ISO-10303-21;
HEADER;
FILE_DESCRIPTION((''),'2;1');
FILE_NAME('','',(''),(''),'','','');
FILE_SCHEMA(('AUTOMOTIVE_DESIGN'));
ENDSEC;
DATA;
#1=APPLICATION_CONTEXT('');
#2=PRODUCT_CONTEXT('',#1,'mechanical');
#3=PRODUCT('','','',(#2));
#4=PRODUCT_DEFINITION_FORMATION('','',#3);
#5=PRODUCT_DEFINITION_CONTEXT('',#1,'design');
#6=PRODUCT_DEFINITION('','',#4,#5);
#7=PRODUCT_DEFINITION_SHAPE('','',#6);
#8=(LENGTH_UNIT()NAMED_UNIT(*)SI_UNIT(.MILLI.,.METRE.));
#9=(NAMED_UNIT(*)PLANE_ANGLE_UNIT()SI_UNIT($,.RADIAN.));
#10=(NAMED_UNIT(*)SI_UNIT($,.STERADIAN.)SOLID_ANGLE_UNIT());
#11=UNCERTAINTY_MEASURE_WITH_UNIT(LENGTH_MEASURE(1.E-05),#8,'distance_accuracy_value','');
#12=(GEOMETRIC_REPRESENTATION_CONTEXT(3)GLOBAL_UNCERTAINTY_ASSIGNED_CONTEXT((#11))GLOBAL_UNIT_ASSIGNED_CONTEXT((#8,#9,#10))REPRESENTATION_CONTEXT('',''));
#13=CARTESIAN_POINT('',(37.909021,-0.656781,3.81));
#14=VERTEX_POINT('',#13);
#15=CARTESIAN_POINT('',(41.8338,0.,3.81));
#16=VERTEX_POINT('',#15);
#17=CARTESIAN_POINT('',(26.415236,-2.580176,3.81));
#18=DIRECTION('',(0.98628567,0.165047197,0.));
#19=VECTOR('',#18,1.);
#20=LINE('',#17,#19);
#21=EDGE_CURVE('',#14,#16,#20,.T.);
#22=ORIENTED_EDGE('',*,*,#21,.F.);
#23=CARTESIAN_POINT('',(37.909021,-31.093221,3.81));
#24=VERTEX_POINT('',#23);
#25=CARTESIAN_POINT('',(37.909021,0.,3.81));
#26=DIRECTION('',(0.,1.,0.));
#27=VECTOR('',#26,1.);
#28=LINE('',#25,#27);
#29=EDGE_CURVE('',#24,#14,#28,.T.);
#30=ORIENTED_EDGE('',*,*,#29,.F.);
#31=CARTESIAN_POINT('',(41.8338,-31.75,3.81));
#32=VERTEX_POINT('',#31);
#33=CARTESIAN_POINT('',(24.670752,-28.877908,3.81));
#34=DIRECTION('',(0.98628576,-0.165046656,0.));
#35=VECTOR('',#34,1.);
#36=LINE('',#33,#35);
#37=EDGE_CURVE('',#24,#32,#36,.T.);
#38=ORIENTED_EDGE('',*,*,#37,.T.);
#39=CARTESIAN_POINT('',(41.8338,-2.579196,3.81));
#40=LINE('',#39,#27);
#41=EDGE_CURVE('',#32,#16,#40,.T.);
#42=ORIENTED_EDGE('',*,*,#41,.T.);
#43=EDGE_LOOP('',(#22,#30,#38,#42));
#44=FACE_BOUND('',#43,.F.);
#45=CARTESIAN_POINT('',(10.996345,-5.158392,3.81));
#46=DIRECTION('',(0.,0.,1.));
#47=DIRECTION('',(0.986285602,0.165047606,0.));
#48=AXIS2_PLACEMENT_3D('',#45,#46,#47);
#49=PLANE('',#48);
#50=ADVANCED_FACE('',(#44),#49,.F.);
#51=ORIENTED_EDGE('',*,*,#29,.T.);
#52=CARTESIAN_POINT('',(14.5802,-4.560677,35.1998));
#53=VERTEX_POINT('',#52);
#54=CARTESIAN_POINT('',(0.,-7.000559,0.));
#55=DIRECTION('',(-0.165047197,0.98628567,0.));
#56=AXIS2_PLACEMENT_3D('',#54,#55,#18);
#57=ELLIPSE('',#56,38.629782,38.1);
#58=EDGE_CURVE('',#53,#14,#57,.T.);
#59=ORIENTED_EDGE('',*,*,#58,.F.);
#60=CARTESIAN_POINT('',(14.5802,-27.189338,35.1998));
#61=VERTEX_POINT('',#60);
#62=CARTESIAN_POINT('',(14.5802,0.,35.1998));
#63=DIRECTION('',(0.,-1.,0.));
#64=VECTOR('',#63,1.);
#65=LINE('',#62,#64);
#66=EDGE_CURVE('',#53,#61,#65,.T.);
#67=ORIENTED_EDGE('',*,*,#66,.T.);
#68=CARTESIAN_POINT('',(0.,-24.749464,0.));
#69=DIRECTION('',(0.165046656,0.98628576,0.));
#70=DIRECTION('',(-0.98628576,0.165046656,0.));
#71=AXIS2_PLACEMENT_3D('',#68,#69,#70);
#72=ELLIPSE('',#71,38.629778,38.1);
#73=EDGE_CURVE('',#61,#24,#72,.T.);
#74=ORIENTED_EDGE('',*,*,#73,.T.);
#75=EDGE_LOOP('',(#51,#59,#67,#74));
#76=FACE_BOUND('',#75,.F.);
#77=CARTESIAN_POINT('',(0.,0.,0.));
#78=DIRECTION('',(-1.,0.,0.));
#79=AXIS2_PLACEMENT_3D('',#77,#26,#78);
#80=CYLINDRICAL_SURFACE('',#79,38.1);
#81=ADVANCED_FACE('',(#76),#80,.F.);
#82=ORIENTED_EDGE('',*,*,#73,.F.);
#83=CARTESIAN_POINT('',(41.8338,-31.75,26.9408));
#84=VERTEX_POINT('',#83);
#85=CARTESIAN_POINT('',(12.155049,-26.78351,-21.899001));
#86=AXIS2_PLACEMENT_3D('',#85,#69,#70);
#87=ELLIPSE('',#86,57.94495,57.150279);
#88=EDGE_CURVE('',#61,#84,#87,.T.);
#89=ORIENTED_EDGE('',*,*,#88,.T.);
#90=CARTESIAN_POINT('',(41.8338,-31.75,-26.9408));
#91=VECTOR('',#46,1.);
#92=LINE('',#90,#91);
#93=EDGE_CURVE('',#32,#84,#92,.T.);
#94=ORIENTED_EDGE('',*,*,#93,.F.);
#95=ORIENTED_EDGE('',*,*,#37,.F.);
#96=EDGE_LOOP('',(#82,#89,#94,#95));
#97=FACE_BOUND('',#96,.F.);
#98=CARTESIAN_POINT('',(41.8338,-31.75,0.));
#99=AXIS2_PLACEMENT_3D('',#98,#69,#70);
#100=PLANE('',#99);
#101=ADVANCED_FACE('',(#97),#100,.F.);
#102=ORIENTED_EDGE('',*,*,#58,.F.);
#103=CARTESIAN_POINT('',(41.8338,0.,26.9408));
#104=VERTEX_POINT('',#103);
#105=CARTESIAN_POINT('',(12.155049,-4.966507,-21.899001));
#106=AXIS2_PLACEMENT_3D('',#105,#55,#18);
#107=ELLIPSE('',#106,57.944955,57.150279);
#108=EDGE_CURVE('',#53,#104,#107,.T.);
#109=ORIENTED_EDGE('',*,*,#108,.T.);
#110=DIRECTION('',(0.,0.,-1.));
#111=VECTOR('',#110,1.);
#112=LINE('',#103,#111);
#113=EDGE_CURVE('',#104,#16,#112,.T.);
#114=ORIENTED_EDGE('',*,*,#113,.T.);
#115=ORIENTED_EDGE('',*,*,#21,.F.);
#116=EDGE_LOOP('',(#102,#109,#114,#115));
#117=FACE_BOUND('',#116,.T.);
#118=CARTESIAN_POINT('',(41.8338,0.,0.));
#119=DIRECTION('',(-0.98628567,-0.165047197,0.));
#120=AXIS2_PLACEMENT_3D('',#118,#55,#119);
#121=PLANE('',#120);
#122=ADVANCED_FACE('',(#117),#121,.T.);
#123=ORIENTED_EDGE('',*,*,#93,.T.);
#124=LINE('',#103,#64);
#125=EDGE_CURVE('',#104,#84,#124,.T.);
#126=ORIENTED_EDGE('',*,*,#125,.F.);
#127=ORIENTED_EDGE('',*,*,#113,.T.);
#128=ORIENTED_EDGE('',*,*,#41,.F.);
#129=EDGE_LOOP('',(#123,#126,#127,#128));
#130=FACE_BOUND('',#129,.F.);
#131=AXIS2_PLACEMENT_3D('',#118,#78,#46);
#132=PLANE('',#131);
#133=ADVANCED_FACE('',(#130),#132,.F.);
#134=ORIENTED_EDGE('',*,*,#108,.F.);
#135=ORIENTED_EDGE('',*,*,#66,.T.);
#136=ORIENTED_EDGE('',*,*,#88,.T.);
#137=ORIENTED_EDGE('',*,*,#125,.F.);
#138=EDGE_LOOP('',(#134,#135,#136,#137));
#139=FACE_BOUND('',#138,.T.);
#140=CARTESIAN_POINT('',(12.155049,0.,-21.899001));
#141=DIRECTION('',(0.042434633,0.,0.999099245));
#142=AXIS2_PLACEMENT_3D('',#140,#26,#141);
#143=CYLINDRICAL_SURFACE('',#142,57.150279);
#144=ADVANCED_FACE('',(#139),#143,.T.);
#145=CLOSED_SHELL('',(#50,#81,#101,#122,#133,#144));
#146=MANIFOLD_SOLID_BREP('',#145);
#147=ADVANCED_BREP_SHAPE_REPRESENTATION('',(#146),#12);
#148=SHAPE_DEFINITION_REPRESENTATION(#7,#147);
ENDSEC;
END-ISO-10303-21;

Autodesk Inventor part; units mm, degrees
ref_plane "YZ Plane" through (0, 0, 0) normal (1, 0, 0) x (0, 1, 0)
ref_plane "XZ Plane" through (0, 0, 0) normal (0, 1, 0) x (-1, 0, 0)
ref_plane "XY Plane" through (0, 0, 0) normal (0, 0, 1) x (1, 0, 0)
sketch "Sketch1" plane through (0, 0, 0) normal (0, 1, 0) x (-1, 0, 0)
  circle A0 centre (0, 0) radius 38.1
  line L0 (-38.1, 0) -> (-41.8338, 0)
  line L1 (-41.8338, 0) -> (-41.8338, 38.1)
  line L2 (-41.8338, 0) -> (-41.8338, -38.1)
  line L3 (-41.8338, -38.1) -> (0, -38.1)
  line L4 (0, 38.1) -> (-41.8338, 38.1)
  arc A1 (0, 38.1) -> (-38.1, 0) centre (0, 0) ccw
  arc A2 (0, 38.1) -> (-26.9408, 26.9408) centre (0, 0) ccw
  arc A3 (-38.1, 0) -> (0, -38.1) centre (0, 0) ccw
  arc A4 (-26.9408, -26.9408) -> (0, -38.1) centre (0, 0) ccw
  arc A5 (-14.5802, 35.1998) -> (-41.8338, 26.9408) centre (-12.1551, -21.8987) ccw
  arc A6 (-41.8338, -26.9408) -> (-14.5802, -35.1998) centre (-12.1551, 21.8987) ccw
  point P0 (-14.5802, -35.1998)
  dimension "d0" = 76.2
  dimension "d1" = 3.7338
  dimension "d2" = 57.15
  dimension "d3" = 57.15
extrude "Extrusion1" add sketch "Sketch1" against normal blind 31.75 contours A0 L0 L1 A5 | A6 L2 L0 A0
sketch "Sketch2" plane through (0, 0, 0) normal (0, 0, 1) x (1, 0, 0)
  line L0 (41.8338, -31.75) -> (-0.6683, -31.75)
  line L1 (41.8338, 0) -> (-9.3567, 0)
  line L2 (41.8338, 0) -> (-14.1234, -9.364)
  line L3 (41.8338, -31.75) -> (-10.3427, -23.0187)
  line L4 (7.8357, -38.2769) -> (6.8485, 14.5363)
  point P0 (0, 0)
  point P1 (7.1202, 0)
  point P2 (7.2285, -5.7909)
  point P3 (7.6066, -26.0223)
  point P4 (7.7137, -31.75)
  dimension "d6" = 9.5
  dimension "d7" = 9.5
extrude "Extrusion2" cut sketch "Sketch2" against normal mid plane 254
sketch "Sketch3" plane through (41.8338, 0, 26.9408) normal (-0.165, 0.9863, 0) x (0.9863, 0.165, 0)
  line L0 (-41.2601, 26.9408) -> (21.7895, 26.9408)
  line L1 (-41.2601, 30.7508) -> (21.7895, 30.7508)
  line L2 (-41.2601, 23.1308) -> (21.7895, 23.1308)
  line L3 (-30.0472, 14.0735) -> (-34.0912, 44.1278)
  line L4 (7.7274, 20.7829) -> (8.5546, 35.8559)
  line L5 (8.5546, 35.8559) -> (-7.3209, 76.3259)
  line L6 (-7.3209, 76.3259) -> (-43.5366, 68.5033)
  line L7 (-43.5366, 68.5033) -> (-33.4602, 39.4386)
  point P0 (7.8563, 23.1308)
  point P1 (-31.2659, 23.1308)
  dimension "d10" = 3.81
  dimension "d11" = 3.81
extrude "Extrusion3" cut sketch "Sketch3" against normal blind 254
sketch "Sketch4" plane through (0, 0, 0) normal (0, 1, 0) x (-1, 0, 0)
  line L0 (-41.8338, 3.81) -> (-37.909, 3.81) projected
  arc A0 (-14.5802, 35.1998) -> (-37.909, 3.81) centre (0, 0) ccw projected
  arc A1 (-14.5802, 35.1998) -> (-41.8338, 26.9408) centre (-12.1551, -21.8987) ccw projected
  line L1 (-41.8338, 26.9408) -> (-41.8338, 3.81) projected
  arc A2 (-14.5802, 35.1998) -> (-41.8338, 26.9408) centre (-12.1551, -21.8987) ccw projected
  line L2 (-14.5802, 35.1998) -> (-16.2152, 20.7478)
  dimension "d14" = 27.2536
  dimension "d15" = 31.3898
sketch "Sketch5" plane through (41.8338, -31.75, 26.9408) normal (1, 0, 0) x (0, 0, -1)
  line L0 (23.1308, 0) -> (0, 0) projected
  line L1 (0, 31.75) -> (23.1308, 31.75) projected
  point P0 (26.9408, 31.75)
  dimension "d16" = 31.75
properties part number "canister holder"
